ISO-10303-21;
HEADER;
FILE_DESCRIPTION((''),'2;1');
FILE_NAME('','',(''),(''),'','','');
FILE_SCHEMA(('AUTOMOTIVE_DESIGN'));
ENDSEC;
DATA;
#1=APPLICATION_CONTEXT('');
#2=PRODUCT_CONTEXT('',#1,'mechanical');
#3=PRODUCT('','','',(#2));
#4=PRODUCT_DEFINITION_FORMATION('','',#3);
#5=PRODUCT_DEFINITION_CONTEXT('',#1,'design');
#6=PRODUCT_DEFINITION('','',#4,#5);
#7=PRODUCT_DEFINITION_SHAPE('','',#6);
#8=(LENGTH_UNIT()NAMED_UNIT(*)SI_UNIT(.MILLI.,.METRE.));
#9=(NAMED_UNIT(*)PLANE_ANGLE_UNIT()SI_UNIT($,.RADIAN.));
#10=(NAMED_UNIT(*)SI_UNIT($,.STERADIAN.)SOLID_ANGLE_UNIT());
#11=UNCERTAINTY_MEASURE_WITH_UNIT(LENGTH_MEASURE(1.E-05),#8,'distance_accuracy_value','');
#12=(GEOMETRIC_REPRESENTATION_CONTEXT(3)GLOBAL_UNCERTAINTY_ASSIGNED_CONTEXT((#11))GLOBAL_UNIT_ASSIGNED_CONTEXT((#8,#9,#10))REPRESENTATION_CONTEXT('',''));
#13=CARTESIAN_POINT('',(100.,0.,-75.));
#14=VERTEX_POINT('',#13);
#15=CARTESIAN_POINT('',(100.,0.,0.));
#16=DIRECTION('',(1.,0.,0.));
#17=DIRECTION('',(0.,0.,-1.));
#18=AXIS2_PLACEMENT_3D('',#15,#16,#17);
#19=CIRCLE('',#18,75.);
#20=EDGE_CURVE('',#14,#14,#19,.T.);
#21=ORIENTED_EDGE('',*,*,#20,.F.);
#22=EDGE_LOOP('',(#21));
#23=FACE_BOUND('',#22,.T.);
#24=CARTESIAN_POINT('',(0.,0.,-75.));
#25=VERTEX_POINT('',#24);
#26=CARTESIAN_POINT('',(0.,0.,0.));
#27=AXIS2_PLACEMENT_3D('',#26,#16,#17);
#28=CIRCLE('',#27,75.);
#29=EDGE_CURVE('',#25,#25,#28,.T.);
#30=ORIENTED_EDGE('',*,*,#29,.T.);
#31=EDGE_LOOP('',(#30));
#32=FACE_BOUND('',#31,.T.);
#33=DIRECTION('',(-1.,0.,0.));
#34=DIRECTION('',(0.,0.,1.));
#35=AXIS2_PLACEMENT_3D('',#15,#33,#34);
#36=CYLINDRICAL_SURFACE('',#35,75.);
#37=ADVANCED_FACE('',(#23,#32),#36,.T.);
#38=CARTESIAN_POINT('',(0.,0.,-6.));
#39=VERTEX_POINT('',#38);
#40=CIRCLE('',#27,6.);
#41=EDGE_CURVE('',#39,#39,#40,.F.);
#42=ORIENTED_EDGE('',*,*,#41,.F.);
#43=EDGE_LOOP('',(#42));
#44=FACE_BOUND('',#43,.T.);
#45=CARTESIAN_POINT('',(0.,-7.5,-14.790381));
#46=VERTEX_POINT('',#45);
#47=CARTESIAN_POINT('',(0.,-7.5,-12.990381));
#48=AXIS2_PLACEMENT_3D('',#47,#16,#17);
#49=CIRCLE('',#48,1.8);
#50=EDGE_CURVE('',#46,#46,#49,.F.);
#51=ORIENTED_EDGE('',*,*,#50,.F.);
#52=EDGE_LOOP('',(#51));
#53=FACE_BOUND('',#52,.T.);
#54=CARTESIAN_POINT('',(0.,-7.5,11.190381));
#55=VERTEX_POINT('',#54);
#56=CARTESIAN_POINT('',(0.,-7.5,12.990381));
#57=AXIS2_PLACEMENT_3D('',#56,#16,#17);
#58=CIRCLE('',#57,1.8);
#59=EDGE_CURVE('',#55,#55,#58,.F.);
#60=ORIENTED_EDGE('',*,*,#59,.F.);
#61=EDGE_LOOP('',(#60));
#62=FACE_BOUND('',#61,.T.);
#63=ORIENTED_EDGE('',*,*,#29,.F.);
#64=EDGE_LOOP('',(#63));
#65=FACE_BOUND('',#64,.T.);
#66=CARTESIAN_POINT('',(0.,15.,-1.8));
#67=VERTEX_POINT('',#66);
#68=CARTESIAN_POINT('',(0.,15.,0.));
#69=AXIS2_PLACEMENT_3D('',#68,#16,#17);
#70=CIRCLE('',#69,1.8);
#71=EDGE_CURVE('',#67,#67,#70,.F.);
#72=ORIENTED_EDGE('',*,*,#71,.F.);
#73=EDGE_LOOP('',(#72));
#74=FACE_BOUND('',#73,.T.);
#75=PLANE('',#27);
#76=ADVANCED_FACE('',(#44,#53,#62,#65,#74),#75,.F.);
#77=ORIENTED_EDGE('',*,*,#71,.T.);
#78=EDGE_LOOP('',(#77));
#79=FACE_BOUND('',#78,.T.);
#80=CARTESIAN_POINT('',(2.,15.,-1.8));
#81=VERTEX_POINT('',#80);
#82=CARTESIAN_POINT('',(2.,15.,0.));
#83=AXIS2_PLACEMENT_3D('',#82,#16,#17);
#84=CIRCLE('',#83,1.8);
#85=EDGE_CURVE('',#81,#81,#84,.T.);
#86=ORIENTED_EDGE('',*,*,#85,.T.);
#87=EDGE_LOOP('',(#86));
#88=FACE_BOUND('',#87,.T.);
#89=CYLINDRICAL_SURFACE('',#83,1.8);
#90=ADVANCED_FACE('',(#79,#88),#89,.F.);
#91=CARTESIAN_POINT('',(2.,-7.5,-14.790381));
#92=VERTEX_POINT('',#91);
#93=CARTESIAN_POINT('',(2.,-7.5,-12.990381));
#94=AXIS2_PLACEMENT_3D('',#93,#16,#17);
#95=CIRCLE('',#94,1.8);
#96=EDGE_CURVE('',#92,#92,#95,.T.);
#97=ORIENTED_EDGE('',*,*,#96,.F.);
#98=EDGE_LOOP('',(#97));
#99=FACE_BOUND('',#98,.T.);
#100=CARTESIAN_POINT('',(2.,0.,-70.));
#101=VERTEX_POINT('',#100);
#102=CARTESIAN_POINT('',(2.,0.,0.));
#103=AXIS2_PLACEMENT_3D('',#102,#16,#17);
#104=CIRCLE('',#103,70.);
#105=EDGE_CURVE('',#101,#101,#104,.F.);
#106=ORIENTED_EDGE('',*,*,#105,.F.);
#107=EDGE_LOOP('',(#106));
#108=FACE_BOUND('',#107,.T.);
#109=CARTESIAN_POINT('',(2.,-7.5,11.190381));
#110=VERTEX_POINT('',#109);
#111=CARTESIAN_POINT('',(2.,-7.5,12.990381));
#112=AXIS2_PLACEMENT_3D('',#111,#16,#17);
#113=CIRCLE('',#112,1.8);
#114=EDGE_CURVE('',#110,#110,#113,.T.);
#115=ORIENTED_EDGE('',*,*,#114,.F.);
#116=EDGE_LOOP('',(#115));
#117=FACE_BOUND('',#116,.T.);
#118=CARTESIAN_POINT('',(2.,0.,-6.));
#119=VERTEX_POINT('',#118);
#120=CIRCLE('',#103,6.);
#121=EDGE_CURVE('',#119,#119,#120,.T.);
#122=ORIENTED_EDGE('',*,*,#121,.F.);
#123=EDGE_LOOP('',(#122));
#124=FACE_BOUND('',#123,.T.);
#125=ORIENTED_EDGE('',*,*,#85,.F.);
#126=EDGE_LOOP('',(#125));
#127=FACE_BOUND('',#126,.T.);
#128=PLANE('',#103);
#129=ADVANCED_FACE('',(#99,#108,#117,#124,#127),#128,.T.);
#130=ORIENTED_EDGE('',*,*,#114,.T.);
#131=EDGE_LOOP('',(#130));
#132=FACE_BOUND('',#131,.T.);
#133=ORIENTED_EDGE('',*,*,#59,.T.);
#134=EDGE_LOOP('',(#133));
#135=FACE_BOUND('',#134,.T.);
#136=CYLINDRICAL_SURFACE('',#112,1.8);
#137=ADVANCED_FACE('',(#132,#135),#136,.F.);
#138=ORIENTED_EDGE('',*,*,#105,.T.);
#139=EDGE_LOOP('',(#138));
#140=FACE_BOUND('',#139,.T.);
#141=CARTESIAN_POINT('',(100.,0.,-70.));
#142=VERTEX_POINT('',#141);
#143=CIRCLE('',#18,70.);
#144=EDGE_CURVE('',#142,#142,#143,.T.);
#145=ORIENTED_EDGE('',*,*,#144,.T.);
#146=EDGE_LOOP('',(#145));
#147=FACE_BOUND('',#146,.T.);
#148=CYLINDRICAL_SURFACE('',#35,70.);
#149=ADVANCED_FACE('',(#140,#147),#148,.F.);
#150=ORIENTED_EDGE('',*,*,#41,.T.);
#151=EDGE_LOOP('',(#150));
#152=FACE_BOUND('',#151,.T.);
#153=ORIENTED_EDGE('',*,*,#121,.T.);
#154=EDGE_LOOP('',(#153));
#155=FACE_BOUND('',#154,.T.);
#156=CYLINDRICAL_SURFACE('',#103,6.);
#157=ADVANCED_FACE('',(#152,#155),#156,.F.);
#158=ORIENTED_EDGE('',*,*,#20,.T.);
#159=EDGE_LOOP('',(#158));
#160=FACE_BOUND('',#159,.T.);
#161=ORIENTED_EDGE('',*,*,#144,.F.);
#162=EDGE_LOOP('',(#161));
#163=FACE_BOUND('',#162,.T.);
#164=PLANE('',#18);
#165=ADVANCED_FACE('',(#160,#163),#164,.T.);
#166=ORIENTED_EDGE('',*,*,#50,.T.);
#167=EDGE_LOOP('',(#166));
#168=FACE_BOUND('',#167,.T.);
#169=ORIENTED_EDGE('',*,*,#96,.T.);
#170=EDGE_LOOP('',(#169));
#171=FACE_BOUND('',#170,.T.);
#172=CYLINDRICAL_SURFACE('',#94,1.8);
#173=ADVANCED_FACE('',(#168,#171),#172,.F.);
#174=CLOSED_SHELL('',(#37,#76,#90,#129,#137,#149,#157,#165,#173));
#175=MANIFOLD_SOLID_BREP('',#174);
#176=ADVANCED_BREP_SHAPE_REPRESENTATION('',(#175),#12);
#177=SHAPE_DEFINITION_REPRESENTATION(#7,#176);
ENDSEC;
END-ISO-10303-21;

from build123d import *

# Parameters (mm, degrees)
SKETCH1_R                 = 70
BOSS_EXTRUDE1_DEPTH       = 2
SKETCH1_4_R               = 75
SKETCH1_4_R_2             = 70
BOSS_EXTRUDE2_DEPTH       = 100
M3_CLEARANCE_HOLE1_D      = 3.6
M3_CLEARANCE_HOLE1_DEPTH  = 2
M3_CLEARANCE_HOLE1_TIP    = 1.081549114
M10_CLEARANCE_HOLE1_D     = 12
M10_CLEARANCE_HOLE1_DEPTH = 2
M10_CLEARANCE_HOLE1_TIP   = 3.605163714


with BuildPart() as part:
    # Sketch1 → Boss-Extrude1 (new body)
    with BuildSketch(Plane(origin=(0, 0, 0), x_dir=(0, 0, -1), z_dir=(1, 0, 0))):
        Circle(SKETCH1_R)
    extrude(amount=BOSS_EXTRUDE1_DEPTH)

    # Sketch1<4> → Boss-Extrude2 (add)
    with BuildSketch(Plane(origin=(0, 0, 0), x_dir=(0, 0, -1), z_dir=(1, 0, 0))):
        Circle(SKETCH1_4_R)
        Circle(SKETCH1_4_R_2, mode=Mode.SUBTRACT)
    extrude(amount=BOSS_EXTRUDE2_DEPTH)

    # M3 Clearance Hole1
    with Locations(Plane(origin=(2, 0, 0), x_dir=(0, 0, -1), z_dir=(1, 0, 0))):
        with Locations((12.990381057, -7.5), (0, 15), (-12.990381057, -7.5)):
            Hole(M3_CLEARANCE_HOLE1_D / 2, depth=M3_CLEARANCE_HOLE1_DEPTH)
            with Locations((0, 0, -(M3_CLEARANCE_HOLE1_DEPTH + M3_CLEARANCE_HOLE1_TIP / 2))):  # 118° drill point
                Cone(0, M3_CLEARANCE_HOLE1_D / 2, M3_CLEARANCE_HOLE1_TIP, mode=Mode.SUBTRACT)

    # M10 Clearance Hole1
    with Locations(Plane(origin=(2, 0, 0), x_dir=(0, 0, -1), z_dir=(1, 0, 0))):
        with Locations((0, 0)):
            Hole(M10_CLEARANCE_HOLE1_D / 2, depth=M10_CLEARANCE_HOLE1_DEPTH)
            with Locations((0, 0, -(M10_CLEARANCE_HOLE1_DEPTH + M10_CLEARANCE_HOLE1_TIP / 2))):  # 118° drill point
                Cone(0, M10_CLEARANCE_HOLE1_D / 2, M10_CLEARANCE_HOLE1_TIP, mode=Mode.SUBTRACT)


solid = part.part
